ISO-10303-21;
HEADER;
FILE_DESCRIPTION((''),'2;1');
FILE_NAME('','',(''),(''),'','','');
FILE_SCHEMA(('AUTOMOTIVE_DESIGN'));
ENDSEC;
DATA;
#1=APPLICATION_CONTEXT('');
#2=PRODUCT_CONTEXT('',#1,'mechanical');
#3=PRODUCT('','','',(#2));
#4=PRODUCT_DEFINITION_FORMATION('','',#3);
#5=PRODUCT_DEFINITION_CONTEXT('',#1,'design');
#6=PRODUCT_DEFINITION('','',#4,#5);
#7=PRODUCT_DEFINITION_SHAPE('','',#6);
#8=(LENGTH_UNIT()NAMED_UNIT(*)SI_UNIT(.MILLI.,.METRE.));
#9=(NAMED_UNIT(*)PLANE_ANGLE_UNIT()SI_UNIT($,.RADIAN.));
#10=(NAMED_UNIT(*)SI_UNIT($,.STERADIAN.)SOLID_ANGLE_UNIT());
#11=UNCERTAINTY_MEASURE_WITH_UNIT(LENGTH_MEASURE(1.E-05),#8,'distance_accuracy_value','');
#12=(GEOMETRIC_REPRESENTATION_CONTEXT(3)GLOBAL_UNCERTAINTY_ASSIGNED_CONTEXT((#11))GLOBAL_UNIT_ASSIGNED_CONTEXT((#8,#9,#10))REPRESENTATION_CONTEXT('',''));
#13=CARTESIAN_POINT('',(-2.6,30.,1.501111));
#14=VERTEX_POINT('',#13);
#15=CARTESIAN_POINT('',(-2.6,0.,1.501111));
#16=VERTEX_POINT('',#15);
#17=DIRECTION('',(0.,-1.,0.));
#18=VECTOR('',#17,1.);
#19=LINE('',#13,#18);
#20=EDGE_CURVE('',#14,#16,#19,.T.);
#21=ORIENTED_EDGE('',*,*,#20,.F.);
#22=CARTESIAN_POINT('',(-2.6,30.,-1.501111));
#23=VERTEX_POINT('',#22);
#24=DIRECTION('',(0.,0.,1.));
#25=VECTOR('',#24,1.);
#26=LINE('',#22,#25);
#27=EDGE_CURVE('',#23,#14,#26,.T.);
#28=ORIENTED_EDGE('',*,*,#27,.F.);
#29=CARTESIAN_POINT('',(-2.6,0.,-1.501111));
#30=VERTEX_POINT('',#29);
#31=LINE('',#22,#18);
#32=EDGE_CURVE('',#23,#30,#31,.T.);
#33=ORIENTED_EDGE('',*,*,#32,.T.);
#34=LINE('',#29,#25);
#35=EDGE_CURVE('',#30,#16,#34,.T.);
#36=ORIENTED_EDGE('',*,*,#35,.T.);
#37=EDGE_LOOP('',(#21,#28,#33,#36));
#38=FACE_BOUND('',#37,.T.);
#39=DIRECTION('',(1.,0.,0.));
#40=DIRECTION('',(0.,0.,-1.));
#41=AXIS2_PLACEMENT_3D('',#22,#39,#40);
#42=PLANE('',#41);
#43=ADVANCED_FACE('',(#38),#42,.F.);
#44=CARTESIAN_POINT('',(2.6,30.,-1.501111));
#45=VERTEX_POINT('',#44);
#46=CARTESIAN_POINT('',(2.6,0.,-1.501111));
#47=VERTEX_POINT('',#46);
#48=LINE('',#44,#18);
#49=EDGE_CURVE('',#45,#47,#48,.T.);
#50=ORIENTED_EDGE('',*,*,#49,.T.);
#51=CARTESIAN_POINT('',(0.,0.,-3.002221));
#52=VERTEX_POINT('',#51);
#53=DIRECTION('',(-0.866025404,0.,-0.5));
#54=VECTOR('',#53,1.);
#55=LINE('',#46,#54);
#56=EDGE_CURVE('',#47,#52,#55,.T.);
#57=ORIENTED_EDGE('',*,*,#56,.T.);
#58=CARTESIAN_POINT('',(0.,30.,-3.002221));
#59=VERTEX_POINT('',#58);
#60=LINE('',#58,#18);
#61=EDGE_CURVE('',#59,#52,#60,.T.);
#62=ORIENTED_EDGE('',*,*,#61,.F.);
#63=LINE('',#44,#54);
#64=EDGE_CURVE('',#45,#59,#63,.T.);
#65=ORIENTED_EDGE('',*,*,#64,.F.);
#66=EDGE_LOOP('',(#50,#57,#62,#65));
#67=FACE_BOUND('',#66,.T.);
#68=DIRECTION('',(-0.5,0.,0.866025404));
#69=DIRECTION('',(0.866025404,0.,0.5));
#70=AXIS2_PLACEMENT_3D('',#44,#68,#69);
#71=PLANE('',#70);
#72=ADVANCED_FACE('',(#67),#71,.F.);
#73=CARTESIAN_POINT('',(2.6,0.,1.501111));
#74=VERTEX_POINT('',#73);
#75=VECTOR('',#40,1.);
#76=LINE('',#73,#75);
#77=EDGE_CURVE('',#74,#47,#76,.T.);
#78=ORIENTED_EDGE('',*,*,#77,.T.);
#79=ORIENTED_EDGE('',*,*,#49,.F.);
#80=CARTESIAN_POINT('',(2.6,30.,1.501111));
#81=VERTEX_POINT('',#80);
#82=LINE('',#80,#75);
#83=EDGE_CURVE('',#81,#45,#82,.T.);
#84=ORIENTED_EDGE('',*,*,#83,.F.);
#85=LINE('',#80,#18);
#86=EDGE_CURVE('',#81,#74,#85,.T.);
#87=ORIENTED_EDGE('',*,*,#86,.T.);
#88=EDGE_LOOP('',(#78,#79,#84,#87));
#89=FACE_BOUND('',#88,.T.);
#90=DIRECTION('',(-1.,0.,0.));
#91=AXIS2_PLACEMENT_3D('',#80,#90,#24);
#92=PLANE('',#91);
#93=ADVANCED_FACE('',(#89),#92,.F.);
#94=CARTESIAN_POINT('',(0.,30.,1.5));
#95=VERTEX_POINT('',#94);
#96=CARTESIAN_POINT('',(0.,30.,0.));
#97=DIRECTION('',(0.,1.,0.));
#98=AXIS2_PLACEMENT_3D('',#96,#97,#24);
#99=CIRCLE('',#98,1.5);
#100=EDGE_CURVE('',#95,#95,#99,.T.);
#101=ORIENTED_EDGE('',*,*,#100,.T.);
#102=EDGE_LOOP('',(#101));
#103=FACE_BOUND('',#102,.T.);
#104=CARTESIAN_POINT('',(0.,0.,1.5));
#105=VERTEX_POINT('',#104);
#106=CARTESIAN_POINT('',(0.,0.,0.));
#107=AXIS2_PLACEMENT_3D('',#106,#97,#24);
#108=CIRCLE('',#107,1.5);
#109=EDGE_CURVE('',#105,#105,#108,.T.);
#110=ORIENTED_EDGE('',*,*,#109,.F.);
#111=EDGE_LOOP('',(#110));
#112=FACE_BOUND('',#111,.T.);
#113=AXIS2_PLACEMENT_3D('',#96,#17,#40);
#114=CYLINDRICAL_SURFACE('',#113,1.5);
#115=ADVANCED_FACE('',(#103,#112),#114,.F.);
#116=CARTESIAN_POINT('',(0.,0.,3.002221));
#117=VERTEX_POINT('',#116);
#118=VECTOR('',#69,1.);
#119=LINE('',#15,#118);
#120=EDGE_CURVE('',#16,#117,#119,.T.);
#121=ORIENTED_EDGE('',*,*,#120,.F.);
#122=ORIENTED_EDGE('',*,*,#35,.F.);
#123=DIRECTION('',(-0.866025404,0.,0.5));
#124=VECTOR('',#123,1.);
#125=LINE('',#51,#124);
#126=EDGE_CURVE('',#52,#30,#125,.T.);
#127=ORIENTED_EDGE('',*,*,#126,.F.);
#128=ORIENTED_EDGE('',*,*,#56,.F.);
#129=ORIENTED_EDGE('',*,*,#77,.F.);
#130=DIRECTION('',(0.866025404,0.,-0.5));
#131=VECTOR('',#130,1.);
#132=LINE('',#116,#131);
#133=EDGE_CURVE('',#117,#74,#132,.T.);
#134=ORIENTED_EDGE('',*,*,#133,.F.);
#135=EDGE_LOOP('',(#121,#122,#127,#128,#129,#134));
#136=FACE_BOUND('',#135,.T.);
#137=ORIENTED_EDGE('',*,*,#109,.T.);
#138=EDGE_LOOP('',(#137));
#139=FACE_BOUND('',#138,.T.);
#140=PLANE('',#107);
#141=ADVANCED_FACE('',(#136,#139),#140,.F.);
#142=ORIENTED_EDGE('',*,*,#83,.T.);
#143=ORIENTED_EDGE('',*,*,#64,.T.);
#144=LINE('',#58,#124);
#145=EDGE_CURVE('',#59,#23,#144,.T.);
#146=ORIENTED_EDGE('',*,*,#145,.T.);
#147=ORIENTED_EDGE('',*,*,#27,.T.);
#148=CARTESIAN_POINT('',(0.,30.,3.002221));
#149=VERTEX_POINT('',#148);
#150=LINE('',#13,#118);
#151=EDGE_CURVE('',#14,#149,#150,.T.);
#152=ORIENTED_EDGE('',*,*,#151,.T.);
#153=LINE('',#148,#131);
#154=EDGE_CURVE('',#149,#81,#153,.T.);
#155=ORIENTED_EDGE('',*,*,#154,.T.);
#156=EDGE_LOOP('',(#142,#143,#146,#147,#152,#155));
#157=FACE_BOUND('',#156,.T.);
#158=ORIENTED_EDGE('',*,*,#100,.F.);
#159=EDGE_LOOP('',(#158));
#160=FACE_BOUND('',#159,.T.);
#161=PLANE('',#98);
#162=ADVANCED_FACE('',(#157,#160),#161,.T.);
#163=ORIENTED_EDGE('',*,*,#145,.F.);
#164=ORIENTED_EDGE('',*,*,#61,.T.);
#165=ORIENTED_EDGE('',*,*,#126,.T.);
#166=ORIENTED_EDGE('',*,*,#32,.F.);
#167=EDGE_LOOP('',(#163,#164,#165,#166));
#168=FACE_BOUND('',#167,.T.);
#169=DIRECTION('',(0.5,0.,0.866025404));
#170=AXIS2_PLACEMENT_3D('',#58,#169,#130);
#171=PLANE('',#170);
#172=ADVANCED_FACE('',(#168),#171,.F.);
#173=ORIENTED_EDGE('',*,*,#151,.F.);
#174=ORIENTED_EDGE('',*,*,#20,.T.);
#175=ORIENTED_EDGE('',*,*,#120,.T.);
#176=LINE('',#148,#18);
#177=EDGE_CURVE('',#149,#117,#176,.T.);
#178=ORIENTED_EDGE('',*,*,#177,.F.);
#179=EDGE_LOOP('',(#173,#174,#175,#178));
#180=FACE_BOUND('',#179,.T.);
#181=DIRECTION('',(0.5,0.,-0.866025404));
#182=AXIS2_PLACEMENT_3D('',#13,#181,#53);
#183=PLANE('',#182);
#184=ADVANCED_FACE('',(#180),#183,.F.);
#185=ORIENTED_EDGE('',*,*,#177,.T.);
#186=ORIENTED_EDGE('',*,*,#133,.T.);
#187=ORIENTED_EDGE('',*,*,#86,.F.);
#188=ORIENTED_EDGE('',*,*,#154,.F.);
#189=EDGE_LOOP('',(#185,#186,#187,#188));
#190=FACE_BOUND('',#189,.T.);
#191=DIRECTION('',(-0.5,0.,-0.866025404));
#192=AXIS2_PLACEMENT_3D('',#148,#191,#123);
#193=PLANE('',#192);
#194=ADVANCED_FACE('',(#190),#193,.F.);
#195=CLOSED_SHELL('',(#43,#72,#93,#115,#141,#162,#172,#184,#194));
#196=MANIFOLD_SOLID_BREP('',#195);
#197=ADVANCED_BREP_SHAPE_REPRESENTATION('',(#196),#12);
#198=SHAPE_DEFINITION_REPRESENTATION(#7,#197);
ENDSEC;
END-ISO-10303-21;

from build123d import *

# Parameters (mm, degrees)
SKETCH1_R           = 1.5
BOSS_EXTRUDE2_DEPTH = 30


with BuildPart() as part:
    # Sketch1 → Boss-Extrude2 (new body)
    with BuildSketch(Plane(origin=(0, 0, 0), x_dir=(1, 0, 0), z_dir=(0, 1, 0))):
        Polygon((0, 3.0022214), (-2.6, 1.5011107), (-2.6, -1.5011107), (0, -3.0022214), (2.6, -1.5011107), (2.6, 1.5011107), align=None)
        Circle(SKETCH1_R, mode=Mode.SUBTRACT)
    extrude(amount=BOSS_EXTRUDE2_DEPTH)


solid = part.part
